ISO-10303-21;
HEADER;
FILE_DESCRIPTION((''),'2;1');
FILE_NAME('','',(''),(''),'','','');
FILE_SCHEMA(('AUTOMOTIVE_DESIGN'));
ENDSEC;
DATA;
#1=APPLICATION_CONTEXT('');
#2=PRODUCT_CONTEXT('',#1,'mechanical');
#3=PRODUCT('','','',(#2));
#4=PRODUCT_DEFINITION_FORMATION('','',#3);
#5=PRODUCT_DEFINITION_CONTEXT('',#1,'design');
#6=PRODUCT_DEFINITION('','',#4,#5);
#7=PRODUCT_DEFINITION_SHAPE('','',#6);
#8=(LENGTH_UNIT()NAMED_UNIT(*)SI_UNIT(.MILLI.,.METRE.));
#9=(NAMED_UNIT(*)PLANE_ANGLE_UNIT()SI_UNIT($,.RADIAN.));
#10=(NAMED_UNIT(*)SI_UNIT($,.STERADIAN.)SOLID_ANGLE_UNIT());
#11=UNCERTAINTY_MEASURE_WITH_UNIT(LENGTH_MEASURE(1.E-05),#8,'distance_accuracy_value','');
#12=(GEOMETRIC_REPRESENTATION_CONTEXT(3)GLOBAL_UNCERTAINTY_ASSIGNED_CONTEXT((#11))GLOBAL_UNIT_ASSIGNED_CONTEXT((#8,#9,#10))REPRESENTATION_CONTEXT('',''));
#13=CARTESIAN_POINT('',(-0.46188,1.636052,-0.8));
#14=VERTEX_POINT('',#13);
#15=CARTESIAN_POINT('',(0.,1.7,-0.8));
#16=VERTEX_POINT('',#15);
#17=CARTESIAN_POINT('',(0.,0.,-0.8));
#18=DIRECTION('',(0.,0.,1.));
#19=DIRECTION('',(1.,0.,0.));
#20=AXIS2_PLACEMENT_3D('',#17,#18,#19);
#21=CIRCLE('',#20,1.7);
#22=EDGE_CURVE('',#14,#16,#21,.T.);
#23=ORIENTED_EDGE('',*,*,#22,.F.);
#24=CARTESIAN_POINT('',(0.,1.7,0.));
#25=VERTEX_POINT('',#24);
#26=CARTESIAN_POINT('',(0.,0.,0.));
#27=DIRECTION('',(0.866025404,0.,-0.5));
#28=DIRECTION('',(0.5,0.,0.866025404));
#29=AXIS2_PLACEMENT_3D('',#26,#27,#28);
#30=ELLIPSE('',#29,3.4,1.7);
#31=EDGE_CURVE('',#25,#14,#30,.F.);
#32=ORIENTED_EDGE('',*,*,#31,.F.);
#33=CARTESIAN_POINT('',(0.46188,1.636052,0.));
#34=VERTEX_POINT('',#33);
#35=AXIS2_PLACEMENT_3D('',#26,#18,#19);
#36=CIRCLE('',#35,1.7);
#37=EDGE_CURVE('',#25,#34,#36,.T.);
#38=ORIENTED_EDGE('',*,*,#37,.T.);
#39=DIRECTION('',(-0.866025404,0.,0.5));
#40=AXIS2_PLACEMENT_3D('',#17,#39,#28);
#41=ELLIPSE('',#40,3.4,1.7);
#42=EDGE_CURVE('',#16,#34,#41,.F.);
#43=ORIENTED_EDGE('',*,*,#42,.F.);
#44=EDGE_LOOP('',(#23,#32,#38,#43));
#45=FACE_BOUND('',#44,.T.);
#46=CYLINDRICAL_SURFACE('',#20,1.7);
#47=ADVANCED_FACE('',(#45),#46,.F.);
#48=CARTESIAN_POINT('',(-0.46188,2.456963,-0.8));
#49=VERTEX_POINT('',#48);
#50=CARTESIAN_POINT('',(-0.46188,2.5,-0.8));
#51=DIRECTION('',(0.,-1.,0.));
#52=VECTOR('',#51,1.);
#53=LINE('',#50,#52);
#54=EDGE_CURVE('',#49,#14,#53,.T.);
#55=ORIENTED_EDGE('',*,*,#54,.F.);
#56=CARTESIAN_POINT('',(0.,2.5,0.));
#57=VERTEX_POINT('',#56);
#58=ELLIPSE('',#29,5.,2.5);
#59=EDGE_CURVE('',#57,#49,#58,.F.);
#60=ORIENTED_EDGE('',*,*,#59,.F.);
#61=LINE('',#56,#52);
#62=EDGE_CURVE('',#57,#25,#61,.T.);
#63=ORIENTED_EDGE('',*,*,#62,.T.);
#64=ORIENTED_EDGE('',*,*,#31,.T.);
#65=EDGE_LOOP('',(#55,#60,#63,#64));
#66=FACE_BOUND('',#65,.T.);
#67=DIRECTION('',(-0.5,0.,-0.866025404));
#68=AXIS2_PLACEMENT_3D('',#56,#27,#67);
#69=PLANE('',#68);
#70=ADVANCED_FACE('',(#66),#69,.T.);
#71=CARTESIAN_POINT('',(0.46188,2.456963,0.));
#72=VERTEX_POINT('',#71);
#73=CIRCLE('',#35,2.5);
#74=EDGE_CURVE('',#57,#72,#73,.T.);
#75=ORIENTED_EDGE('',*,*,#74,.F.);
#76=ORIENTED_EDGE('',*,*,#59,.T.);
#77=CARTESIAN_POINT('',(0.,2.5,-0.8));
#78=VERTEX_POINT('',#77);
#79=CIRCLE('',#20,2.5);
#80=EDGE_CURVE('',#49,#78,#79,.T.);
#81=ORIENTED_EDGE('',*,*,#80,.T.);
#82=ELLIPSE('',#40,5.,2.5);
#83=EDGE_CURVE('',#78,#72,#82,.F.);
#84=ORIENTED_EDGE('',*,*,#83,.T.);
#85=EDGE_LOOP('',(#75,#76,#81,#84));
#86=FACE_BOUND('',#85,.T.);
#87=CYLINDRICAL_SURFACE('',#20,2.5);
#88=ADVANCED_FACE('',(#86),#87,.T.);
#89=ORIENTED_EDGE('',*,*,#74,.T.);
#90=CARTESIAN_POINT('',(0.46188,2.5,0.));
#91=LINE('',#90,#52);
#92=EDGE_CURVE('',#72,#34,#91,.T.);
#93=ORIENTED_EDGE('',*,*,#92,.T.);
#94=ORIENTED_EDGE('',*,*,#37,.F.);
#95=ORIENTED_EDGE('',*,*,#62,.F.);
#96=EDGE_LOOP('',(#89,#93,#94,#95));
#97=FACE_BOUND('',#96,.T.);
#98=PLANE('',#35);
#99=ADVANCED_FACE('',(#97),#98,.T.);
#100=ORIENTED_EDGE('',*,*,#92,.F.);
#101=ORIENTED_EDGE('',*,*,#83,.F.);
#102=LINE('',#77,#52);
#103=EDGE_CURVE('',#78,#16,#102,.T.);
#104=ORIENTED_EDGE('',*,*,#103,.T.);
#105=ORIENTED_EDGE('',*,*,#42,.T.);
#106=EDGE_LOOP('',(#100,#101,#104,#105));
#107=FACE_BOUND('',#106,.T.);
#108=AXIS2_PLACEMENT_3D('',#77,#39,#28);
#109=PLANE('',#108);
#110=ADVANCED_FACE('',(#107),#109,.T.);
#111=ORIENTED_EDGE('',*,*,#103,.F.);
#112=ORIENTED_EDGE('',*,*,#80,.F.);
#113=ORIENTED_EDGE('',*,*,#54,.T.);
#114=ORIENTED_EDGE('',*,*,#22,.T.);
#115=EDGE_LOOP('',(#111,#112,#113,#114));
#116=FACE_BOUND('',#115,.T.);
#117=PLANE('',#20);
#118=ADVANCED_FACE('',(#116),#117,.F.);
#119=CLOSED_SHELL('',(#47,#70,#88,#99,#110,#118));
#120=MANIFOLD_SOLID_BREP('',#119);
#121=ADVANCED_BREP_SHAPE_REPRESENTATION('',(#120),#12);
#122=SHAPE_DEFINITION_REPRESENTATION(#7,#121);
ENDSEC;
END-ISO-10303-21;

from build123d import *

# Parameters (mm, degrees)
SKETCH1_R          = 2.5
SKETCH1_R_2        = 1.7
BASE_EXTRUDE_DEPTH = 0.8
CUT_EXTRUDE1_DEPTH = 3.5


with BuildPart() as part:
    # Sketch1 → Base-Extrude (new body)
    with BuildSketch(Plane.XY):
        Circle(SKETCH1_R)
        Circle(SKETCH1_R_2, mode=Mode.SUBTRACT)
    extrude(amount=-BASE_EXTRUDE_DEPTH)

    # Sketch2 → Cut-Extrude1 (cut, through all)
    with BuildSketch(Plane(origin=(0, 0, 0), x_dir=(1, 0, 0), z_dir=(0, 1, 0))):
        Polygon((0, 0.8), (0.461880215, 0), (0, 0), (-0.461880215, 0.8), align=None)
    extrude(amount=CUT_EXTRUDE1_DEPTH, mode=Mode.SUBTRACT)


solid = part.part
